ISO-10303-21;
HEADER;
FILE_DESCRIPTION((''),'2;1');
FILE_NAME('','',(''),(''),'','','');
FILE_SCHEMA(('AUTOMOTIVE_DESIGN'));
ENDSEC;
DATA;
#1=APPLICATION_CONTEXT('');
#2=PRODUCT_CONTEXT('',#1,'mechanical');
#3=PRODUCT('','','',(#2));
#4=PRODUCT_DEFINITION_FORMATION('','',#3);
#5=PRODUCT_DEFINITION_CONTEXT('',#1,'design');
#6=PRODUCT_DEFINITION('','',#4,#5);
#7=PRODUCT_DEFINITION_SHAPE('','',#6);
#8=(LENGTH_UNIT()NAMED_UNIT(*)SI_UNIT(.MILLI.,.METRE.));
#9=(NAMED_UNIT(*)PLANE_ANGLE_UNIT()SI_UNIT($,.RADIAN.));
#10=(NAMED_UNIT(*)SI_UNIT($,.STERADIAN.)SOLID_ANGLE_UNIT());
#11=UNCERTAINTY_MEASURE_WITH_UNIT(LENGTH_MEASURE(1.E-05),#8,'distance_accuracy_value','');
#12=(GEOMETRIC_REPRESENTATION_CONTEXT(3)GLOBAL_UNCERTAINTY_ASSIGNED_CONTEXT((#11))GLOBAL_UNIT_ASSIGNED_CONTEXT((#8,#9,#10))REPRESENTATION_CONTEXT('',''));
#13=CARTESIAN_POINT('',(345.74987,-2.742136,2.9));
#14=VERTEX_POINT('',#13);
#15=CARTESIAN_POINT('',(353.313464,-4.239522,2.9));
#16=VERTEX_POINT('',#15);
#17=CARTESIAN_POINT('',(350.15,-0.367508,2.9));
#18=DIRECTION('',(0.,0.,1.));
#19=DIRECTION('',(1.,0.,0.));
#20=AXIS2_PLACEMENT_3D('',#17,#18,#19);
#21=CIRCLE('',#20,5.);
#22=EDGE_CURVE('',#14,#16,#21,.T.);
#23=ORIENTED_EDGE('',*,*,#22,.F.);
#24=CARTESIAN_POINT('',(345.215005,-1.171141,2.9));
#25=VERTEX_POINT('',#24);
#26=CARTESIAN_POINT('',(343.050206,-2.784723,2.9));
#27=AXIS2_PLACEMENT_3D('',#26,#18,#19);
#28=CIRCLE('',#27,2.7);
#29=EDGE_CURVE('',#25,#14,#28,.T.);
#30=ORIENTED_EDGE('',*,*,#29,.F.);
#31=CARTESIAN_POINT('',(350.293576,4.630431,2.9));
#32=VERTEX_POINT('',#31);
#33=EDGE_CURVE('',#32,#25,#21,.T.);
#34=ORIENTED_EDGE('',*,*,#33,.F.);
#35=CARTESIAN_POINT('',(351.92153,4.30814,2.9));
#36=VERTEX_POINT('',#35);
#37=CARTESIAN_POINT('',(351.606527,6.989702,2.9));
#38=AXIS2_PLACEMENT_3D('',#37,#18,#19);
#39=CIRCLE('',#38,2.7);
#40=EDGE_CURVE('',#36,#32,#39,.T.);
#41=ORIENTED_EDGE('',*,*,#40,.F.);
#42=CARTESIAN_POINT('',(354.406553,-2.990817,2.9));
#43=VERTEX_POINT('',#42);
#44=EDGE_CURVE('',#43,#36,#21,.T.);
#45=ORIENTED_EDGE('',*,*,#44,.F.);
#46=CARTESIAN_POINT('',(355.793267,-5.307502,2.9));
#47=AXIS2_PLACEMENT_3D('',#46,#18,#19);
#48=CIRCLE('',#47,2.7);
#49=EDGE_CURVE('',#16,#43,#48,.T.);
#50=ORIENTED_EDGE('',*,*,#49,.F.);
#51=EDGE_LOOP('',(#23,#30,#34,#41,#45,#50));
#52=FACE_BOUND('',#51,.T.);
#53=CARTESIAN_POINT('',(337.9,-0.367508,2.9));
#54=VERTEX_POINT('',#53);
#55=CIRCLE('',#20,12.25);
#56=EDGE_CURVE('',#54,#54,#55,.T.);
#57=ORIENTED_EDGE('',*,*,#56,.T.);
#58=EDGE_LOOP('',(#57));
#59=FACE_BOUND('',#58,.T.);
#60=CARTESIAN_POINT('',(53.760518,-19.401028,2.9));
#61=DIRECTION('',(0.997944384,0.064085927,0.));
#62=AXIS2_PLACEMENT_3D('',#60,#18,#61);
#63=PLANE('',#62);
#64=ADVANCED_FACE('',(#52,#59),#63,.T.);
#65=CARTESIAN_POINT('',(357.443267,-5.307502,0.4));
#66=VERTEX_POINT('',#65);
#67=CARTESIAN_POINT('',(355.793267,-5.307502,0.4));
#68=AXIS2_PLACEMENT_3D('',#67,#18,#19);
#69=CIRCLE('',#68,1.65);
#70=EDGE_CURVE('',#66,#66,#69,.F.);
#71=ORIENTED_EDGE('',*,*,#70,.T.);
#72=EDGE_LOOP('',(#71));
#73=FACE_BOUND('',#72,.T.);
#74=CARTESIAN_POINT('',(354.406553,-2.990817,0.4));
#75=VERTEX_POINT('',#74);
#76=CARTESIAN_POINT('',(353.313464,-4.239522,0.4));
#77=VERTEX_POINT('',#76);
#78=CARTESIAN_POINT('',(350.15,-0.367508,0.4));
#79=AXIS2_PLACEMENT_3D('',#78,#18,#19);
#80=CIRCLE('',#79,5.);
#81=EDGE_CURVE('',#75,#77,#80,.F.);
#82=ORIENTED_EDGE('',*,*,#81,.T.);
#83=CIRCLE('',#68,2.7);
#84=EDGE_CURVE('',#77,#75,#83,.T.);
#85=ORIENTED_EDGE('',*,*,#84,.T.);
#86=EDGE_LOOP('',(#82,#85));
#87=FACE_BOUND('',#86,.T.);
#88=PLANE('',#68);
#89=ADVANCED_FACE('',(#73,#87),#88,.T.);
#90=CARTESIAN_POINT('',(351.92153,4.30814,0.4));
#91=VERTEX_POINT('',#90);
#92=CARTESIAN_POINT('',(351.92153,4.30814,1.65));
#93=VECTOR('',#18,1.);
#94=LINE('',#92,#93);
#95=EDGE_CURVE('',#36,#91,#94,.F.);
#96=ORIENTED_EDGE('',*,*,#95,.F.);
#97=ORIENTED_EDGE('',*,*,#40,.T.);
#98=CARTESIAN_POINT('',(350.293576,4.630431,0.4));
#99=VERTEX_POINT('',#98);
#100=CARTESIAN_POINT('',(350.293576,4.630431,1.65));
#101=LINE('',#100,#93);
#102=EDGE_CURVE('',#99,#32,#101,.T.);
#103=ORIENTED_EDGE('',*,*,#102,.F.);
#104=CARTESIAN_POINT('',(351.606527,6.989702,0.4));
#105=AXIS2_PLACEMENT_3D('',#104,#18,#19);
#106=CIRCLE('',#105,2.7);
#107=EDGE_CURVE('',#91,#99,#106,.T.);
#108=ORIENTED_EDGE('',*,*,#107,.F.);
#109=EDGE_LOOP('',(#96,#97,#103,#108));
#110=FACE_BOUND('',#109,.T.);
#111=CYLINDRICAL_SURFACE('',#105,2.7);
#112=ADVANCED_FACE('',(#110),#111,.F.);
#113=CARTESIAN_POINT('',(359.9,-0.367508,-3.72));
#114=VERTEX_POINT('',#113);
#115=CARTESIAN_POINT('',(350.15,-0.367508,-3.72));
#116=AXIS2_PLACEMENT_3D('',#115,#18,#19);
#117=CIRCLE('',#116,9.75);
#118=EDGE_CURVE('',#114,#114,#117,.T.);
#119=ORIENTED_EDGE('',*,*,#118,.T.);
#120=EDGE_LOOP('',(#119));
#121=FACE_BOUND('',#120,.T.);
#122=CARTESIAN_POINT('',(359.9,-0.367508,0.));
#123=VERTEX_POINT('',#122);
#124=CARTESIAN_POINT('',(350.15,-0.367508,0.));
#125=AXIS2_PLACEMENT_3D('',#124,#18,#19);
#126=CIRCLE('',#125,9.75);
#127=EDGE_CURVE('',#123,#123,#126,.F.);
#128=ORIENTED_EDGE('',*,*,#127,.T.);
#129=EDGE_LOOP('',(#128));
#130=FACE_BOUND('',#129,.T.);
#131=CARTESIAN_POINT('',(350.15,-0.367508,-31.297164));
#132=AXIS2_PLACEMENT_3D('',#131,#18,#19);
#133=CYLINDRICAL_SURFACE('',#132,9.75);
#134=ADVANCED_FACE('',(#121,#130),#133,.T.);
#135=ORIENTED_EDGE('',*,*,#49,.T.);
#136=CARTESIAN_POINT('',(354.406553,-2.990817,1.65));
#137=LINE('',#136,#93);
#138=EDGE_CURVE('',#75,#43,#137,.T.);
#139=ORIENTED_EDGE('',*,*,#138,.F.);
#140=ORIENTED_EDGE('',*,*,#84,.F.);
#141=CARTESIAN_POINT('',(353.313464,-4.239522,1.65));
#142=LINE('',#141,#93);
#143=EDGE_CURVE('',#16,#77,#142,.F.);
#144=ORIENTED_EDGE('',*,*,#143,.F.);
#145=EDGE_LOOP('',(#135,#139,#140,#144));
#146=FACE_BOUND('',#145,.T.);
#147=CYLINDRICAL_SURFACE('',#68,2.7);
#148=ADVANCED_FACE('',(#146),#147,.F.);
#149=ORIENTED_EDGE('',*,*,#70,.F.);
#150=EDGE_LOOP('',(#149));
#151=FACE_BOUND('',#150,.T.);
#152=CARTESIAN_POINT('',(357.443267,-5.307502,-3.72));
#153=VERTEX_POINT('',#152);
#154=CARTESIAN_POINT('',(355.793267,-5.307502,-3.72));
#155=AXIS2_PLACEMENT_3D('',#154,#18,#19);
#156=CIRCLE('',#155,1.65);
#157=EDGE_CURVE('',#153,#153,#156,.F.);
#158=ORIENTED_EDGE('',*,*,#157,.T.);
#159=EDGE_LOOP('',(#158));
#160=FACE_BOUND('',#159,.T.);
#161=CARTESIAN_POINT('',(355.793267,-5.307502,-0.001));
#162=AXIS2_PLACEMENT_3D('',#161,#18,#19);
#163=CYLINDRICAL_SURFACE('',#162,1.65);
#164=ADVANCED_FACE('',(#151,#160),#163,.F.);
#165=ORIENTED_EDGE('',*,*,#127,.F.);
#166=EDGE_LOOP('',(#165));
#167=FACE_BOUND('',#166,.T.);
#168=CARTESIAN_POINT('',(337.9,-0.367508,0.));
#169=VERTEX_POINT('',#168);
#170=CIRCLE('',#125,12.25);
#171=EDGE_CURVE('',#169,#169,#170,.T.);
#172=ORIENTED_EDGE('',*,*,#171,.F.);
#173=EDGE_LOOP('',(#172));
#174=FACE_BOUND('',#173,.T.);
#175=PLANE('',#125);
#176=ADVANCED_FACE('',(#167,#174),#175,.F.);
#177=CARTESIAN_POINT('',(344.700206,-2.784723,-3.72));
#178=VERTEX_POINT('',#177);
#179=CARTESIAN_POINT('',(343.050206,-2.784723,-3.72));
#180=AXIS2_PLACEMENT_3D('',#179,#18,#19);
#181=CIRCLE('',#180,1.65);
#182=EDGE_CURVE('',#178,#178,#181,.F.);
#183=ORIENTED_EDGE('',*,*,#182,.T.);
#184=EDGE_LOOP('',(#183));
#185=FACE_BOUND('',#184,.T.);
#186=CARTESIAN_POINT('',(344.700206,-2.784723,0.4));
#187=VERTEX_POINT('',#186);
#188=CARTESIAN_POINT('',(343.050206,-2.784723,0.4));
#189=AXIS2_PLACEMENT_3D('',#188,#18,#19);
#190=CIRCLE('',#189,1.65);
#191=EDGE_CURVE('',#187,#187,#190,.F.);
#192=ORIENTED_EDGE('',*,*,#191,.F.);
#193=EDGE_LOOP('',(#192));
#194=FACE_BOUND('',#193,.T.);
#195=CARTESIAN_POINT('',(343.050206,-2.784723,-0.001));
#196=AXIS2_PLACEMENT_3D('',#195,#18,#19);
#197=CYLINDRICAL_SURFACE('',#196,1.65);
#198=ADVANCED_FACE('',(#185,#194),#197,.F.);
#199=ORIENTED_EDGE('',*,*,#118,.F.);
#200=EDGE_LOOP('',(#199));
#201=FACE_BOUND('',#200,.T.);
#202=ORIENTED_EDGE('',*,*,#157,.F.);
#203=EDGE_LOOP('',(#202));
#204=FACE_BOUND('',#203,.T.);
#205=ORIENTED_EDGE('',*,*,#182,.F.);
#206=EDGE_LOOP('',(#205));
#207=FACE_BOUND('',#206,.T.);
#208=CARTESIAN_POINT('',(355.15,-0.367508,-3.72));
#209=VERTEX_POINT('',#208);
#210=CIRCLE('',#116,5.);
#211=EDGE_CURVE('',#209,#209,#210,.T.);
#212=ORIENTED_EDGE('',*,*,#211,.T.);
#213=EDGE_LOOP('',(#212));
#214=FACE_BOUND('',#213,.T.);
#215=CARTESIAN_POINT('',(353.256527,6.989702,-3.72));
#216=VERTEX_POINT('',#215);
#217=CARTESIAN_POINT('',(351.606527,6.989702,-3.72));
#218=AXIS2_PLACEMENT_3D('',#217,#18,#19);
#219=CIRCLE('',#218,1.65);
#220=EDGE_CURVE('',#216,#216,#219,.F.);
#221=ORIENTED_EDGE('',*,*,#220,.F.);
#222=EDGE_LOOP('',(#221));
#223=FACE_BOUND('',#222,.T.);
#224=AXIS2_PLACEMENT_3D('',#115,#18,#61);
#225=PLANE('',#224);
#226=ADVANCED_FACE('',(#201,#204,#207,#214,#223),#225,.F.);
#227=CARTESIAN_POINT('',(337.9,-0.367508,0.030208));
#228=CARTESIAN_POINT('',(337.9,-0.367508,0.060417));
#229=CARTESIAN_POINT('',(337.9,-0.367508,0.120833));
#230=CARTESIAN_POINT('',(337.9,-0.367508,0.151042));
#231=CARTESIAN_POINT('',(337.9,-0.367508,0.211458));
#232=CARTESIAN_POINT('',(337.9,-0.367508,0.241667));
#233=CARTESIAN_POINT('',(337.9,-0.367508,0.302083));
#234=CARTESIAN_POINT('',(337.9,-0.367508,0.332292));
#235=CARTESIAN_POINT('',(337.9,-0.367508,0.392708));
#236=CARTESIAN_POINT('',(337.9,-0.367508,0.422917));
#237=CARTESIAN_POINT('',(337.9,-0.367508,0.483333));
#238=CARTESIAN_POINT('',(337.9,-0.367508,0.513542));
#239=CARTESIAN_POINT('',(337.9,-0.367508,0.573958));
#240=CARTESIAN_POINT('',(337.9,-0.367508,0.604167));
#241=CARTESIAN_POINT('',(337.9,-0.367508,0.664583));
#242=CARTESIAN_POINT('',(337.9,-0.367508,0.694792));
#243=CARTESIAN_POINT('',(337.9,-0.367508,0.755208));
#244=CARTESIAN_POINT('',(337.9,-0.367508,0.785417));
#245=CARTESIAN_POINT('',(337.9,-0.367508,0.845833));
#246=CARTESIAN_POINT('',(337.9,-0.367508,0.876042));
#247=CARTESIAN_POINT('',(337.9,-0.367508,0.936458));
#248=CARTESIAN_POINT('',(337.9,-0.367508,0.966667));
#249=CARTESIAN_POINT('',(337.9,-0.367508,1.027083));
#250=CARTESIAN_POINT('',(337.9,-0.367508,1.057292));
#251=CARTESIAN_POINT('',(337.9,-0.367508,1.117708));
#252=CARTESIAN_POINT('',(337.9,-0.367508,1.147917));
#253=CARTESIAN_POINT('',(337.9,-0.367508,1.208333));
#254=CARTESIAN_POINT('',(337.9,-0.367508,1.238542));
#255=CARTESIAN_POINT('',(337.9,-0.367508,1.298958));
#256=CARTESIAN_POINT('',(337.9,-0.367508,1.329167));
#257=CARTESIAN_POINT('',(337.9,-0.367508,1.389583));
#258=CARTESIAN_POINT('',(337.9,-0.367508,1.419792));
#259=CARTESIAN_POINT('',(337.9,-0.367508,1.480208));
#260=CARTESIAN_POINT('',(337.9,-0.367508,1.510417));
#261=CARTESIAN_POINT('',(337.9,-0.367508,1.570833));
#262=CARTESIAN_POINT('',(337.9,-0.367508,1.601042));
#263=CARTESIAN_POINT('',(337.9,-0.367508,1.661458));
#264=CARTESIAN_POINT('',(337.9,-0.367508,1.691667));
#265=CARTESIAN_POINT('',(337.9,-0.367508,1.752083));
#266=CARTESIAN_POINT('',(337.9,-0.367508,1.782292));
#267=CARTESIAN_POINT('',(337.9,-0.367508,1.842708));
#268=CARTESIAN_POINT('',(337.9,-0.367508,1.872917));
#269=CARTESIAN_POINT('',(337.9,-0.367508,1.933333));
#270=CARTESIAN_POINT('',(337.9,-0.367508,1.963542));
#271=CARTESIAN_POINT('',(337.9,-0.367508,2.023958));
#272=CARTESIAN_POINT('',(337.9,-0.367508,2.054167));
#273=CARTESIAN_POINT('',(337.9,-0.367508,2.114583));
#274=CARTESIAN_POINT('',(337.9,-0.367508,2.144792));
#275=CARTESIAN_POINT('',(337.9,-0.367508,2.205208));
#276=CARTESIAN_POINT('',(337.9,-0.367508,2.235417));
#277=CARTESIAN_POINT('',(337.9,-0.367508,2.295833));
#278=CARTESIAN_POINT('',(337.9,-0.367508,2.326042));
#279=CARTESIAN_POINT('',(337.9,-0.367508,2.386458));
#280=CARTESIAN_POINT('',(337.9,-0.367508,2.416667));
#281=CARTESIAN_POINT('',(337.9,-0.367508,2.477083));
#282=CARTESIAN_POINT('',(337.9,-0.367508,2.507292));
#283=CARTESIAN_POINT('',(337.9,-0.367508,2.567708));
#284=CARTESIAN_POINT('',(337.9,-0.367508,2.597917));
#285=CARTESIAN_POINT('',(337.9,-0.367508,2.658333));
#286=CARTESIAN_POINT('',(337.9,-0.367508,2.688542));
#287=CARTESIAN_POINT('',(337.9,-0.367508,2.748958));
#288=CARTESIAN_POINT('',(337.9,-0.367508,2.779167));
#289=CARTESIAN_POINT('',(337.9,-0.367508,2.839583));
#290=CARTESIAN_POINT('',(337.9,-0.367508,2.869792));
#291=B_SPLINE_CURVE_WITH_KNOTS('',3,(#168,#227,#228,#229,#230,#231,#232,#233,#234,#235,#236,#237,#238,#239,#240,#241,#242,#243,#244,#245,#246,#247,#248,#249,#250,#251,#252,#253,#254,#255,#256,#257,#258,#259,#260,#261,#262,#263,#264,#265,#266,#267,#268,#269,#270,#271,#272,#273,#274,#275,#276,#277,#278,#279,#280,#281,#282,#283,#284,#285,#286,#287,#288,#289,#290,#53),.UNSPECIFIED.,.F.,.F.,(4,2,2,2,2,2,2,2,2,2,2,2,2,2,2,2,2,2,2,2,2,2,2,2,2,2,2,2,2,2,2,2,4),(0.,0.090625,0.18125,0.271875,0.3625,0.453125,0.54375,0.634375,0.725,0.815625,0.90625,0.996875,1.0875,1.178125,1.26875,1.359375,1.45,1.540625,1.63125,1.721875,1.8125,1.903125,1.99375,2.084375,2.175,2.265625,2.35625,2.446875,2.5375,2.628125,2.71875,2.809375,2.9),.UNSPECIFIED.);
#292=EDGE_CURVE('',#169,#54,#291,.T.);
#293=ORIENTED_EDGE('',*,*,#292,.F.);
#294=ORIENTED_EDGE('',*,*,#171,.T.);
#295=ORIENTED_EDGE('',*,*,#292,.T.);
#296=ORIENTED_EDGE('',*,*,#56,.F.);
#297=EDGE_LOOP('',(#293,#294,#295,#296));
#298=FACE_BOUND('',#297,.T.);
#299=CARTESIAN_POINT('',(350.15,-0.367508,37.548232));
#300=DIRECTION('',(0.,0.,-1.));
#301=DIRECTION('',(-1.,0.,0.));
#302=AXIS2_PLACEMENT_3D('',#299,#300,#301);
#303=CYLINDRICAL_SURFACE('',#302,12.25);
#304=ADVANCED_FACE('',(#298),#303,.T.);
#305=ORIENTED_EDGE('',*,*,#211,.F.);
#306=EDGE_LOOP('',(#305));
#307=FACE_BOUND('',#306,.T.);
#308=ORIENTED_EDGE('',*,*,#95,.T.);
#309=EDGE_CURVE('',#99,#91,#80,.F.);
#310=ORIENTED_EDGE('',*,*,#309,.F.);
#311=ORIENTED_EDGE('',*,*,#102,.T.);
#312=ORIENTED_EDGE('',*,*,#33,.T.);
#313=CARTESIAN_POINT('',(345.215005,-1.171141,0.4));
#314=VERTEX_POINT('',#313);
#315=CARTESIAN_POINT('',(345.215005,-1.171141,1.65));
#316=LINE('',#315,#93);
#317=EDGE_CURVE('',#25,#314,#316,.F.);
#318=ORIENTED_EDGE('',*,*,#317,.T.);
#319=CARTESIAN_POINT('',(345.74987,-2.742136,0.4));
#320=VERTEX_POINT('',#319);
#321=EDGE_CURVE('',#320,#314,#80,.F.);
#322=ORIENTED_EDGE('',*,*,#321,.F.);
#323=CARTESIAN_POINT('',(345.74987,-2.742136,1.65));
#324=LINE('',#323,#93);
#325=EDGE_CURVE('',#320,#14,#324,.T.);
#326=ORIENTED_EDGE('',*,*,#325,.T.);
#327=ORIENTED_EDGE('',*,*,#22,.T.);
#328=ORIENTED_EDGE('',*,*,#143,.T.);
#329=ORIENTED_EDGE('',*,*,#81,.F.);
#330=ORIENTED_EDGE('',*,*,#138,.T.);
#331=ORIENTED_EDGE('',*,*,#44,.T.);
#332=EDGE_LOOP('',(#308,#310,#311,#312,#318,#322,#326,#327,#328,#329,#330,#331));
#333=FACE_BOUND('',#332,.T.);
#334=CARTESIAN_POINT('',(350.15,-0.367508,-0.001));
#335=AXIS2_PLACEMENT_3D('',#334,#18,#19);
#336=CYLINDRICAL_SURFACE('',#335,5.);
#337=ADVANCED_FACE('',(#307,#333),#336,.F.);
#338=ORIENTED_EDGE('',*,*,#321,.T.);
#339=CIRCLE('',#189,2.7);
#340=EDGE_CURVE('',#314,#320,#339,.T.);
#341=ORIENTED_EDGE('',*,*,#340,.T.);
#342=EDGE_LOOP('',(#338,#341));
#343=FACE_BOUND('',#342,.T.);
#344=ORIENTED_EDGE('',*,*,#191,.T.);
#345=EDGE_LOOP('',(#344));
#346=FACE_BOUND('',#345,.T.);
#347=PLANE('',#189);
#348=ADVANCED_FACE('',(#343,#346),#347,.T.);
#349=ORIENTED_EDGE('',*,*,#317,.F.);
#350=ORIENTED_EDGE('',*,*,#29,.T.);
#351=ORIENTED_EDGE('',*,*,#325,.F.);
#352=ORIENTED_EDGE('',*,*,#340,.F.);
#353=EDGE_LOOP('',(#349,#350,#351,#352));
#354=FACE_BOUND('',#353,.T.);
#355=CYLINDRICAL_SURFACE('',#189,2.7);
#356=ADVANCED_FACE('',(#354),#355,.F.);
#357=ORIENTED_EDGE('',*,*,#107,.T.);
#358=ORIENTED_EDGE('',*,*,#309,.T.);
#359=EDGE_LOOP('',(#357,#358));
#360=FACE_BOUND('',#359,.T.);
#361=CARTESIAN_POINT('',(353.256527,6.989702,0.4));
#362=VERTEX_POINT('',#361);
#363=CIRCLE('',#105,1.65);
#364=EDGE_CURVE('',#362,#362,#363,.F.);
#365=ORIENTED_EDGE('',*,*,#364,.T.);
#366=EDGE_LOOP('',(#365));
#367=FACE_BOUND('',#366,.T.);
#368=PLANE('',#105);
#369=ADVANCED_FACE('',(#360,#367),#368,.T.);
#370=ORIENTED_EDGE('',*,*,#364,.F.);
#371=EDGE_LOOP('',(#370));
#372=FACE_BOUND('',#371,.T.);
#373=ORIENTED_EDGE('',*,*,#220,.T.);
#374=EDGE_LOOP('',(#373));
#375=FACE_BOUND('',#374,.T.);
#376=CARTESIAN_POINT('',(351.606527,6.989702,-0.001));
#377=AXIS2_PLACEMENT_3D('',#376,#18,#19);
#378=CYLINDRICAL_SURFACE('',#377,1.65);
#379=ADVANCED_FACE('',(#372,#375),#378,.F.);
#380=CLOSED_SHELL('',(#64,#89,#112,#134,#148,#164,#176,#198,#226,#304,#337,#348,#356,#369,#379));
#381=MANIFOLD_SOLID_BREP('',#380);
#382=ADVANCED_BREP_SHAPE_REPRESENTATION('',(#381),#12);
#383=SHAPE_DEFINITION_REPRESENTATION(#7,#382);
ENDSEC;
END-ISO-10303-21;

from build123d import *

# Parameters (mm, degrees)
SKETCH1_R           = 12.25
BOSS_EXTRUDE1_DEPTH = 2.9
CUT_EXTRUDE1_REACH  = 364.631
SKETCH2_R           = 5
CUT_EXTRUDE2_REACH  = 364.631
SKETCH5_R           = 1.65
SKETCH6_R           = 9.75
SKETCH6_R_2         = 5
BOSS_EXTRUDE2_DEPTH = 3.72
SKETCH7_R           = 1.65
CUT_EXTRUDE3_DEPTH  = 3.72
SKETCH8_R           = 2.7
CUT_EXTRUDE4_DEPTH  = 2.5


with BuildPart() as part:
    # Sketch1 → Boss-Extrude1 (new body)
    with BuildSketch(Plane.XY):
        with Locations(Location((350.15, -0.367507575, 0), (0, 0, 180))):
            Circle(SKETCH1_R)
    extrude(amount=BOSS_EXTRUDE1_DEPTH)

    # Sketch2 → Cut-Extrude1 (cut, up to next)
    with BuildSketch(Plane.XY.offset(2.9), mode=Mode.PRIVATE) as cut_extrude1_sk1:
        with Locations((350.15, -0.367507575)):
            Circle(SKETCH2_R)
    cut_extrude1_tool1 = extrude(cut_extrude1_sk1.sketch, amount=-CUT_EXTRUDE1_REACH, mode=Mode.PRIVATE) & part.part
    add(cut_extrude1_tool1.solids().sort_by_distance((350.15, -0.367508, 2.9))[0], mode=Mode.SUBTRACT)

    # Sketch5 → Cut-Extrude2 (cut, up to next)
    with BuildSketch(Plane.XY.offset(2.9), mode=Mode.PRIVATE) as cut_extrude2_sk1:
        with Locations((343.05020627, -2.784722708)):
            Circle(SKETCH5_R)
    cut_extrude2_tool1 = extrude(cut_extrude2_sk1.sketch, amount=-CUT_EXTRUDE2_REACH, mode=Mode.PRIVATE) & part.part
    # Sketch5 → Cut-Extrude2 (cut, up to next)
    with BuildSketch(Plane.XY.offset(2.9), mode=Mode.PRIVATE) as cut_extrude2_sk2:
        with Locations((355.793266576, -5.30750174)):
            Circle(SKETCH5_R)
    cut_extrude2_tool2 = extrude(cut_extrude2_sk2.sketch, amount=-CUT_EXTRUDE2_REACH, mode=Mode.PRIVATE) & part.part
    # Sketch5 → Cut-Extrude2 (cut, up to next)
    with BuildSketch(Plane.XY.offset(2.9), mode=Mode.PRIVATE) as cut_extrude2_sk3:
        with Locations((351.606527153, 6.989701723)):
            Circle(SKETCH5_R)
    cut_extrude2_tool3 = extrude(cut_extrude2_sk3.sketch, amount=-CUT_EXTRUDE2_REACH, mode=Mode.PRIVATE) & part.part
    add(cut_extrude2_tool1.solids().sort_by_distance((343.050206, -2.784723, 2.9))[0], mode=Mode.SUBTRACT)
    add(cut_extrude2_tool2.solids().sort_by_distance((355.793267, -5.307502, 2.9))[0], mode=Mode.SUBTRACT)
    add(cut_extrude2_tool3.solids().sort_by_distance((351.606527, 6.989702, 2.9))[0], mode=Mode.SUBTRACT)

    # Sketch6 → Boss-Extrude2 (add)
    with BuildSketch(Plane(origin=(0, 0, 0), x_dir=(-1, 0, 0), z_dir=(0, 0, -1))):
        with Locations(Location((-350.15, -0.367507575, 0), (0, 0, 180))):
            Circle(SKETCH6_R)
        with Locations(Location((-350.15, -0.367507575, 0), (0, 0, 180))):
            Circle(SKETCH6_R_2, mode=Mode.SUBTRACT)
    extrude(amount=BOSS_EXTRUDE2_DEPTH)

    # Sketch7 → Cut-Extrude3 (cut)
    with BuildSketch(Plane.XY):
        with Locations((351.606527153, 6.989701723)):
            Circle(SKETCH7_R)
        with Locations((343.05020627, -2.784722708)):
            Circle(SKETCH7_R)
        with Locations((355.793266576, -5.30750174)):
            Circle(SKETCH7_R)
    extrude(amount=-CUT_EXTRUDE3_DEPTH, mode=Mode.SUBTRACT)

    # Sketch8 → Cut-Extrude4 (cut)
    with BuildSketch(Plane.XY.offset(2.9)):
        with Locations((351.606527153, 6.989701723)):
            Circle(SKETCH8_R)
        with Locations((355.793266576, -5.30750174)):
            Circle(SKETCH8_R)
        with Locations((343.05020627, -2.784722708)):
            Circle(SKETCH8_R)
    extrude(amount=-CUT_EXTRUDE4_DEPTH, mode=Mode.SUBTRACT)


solid = part.part
